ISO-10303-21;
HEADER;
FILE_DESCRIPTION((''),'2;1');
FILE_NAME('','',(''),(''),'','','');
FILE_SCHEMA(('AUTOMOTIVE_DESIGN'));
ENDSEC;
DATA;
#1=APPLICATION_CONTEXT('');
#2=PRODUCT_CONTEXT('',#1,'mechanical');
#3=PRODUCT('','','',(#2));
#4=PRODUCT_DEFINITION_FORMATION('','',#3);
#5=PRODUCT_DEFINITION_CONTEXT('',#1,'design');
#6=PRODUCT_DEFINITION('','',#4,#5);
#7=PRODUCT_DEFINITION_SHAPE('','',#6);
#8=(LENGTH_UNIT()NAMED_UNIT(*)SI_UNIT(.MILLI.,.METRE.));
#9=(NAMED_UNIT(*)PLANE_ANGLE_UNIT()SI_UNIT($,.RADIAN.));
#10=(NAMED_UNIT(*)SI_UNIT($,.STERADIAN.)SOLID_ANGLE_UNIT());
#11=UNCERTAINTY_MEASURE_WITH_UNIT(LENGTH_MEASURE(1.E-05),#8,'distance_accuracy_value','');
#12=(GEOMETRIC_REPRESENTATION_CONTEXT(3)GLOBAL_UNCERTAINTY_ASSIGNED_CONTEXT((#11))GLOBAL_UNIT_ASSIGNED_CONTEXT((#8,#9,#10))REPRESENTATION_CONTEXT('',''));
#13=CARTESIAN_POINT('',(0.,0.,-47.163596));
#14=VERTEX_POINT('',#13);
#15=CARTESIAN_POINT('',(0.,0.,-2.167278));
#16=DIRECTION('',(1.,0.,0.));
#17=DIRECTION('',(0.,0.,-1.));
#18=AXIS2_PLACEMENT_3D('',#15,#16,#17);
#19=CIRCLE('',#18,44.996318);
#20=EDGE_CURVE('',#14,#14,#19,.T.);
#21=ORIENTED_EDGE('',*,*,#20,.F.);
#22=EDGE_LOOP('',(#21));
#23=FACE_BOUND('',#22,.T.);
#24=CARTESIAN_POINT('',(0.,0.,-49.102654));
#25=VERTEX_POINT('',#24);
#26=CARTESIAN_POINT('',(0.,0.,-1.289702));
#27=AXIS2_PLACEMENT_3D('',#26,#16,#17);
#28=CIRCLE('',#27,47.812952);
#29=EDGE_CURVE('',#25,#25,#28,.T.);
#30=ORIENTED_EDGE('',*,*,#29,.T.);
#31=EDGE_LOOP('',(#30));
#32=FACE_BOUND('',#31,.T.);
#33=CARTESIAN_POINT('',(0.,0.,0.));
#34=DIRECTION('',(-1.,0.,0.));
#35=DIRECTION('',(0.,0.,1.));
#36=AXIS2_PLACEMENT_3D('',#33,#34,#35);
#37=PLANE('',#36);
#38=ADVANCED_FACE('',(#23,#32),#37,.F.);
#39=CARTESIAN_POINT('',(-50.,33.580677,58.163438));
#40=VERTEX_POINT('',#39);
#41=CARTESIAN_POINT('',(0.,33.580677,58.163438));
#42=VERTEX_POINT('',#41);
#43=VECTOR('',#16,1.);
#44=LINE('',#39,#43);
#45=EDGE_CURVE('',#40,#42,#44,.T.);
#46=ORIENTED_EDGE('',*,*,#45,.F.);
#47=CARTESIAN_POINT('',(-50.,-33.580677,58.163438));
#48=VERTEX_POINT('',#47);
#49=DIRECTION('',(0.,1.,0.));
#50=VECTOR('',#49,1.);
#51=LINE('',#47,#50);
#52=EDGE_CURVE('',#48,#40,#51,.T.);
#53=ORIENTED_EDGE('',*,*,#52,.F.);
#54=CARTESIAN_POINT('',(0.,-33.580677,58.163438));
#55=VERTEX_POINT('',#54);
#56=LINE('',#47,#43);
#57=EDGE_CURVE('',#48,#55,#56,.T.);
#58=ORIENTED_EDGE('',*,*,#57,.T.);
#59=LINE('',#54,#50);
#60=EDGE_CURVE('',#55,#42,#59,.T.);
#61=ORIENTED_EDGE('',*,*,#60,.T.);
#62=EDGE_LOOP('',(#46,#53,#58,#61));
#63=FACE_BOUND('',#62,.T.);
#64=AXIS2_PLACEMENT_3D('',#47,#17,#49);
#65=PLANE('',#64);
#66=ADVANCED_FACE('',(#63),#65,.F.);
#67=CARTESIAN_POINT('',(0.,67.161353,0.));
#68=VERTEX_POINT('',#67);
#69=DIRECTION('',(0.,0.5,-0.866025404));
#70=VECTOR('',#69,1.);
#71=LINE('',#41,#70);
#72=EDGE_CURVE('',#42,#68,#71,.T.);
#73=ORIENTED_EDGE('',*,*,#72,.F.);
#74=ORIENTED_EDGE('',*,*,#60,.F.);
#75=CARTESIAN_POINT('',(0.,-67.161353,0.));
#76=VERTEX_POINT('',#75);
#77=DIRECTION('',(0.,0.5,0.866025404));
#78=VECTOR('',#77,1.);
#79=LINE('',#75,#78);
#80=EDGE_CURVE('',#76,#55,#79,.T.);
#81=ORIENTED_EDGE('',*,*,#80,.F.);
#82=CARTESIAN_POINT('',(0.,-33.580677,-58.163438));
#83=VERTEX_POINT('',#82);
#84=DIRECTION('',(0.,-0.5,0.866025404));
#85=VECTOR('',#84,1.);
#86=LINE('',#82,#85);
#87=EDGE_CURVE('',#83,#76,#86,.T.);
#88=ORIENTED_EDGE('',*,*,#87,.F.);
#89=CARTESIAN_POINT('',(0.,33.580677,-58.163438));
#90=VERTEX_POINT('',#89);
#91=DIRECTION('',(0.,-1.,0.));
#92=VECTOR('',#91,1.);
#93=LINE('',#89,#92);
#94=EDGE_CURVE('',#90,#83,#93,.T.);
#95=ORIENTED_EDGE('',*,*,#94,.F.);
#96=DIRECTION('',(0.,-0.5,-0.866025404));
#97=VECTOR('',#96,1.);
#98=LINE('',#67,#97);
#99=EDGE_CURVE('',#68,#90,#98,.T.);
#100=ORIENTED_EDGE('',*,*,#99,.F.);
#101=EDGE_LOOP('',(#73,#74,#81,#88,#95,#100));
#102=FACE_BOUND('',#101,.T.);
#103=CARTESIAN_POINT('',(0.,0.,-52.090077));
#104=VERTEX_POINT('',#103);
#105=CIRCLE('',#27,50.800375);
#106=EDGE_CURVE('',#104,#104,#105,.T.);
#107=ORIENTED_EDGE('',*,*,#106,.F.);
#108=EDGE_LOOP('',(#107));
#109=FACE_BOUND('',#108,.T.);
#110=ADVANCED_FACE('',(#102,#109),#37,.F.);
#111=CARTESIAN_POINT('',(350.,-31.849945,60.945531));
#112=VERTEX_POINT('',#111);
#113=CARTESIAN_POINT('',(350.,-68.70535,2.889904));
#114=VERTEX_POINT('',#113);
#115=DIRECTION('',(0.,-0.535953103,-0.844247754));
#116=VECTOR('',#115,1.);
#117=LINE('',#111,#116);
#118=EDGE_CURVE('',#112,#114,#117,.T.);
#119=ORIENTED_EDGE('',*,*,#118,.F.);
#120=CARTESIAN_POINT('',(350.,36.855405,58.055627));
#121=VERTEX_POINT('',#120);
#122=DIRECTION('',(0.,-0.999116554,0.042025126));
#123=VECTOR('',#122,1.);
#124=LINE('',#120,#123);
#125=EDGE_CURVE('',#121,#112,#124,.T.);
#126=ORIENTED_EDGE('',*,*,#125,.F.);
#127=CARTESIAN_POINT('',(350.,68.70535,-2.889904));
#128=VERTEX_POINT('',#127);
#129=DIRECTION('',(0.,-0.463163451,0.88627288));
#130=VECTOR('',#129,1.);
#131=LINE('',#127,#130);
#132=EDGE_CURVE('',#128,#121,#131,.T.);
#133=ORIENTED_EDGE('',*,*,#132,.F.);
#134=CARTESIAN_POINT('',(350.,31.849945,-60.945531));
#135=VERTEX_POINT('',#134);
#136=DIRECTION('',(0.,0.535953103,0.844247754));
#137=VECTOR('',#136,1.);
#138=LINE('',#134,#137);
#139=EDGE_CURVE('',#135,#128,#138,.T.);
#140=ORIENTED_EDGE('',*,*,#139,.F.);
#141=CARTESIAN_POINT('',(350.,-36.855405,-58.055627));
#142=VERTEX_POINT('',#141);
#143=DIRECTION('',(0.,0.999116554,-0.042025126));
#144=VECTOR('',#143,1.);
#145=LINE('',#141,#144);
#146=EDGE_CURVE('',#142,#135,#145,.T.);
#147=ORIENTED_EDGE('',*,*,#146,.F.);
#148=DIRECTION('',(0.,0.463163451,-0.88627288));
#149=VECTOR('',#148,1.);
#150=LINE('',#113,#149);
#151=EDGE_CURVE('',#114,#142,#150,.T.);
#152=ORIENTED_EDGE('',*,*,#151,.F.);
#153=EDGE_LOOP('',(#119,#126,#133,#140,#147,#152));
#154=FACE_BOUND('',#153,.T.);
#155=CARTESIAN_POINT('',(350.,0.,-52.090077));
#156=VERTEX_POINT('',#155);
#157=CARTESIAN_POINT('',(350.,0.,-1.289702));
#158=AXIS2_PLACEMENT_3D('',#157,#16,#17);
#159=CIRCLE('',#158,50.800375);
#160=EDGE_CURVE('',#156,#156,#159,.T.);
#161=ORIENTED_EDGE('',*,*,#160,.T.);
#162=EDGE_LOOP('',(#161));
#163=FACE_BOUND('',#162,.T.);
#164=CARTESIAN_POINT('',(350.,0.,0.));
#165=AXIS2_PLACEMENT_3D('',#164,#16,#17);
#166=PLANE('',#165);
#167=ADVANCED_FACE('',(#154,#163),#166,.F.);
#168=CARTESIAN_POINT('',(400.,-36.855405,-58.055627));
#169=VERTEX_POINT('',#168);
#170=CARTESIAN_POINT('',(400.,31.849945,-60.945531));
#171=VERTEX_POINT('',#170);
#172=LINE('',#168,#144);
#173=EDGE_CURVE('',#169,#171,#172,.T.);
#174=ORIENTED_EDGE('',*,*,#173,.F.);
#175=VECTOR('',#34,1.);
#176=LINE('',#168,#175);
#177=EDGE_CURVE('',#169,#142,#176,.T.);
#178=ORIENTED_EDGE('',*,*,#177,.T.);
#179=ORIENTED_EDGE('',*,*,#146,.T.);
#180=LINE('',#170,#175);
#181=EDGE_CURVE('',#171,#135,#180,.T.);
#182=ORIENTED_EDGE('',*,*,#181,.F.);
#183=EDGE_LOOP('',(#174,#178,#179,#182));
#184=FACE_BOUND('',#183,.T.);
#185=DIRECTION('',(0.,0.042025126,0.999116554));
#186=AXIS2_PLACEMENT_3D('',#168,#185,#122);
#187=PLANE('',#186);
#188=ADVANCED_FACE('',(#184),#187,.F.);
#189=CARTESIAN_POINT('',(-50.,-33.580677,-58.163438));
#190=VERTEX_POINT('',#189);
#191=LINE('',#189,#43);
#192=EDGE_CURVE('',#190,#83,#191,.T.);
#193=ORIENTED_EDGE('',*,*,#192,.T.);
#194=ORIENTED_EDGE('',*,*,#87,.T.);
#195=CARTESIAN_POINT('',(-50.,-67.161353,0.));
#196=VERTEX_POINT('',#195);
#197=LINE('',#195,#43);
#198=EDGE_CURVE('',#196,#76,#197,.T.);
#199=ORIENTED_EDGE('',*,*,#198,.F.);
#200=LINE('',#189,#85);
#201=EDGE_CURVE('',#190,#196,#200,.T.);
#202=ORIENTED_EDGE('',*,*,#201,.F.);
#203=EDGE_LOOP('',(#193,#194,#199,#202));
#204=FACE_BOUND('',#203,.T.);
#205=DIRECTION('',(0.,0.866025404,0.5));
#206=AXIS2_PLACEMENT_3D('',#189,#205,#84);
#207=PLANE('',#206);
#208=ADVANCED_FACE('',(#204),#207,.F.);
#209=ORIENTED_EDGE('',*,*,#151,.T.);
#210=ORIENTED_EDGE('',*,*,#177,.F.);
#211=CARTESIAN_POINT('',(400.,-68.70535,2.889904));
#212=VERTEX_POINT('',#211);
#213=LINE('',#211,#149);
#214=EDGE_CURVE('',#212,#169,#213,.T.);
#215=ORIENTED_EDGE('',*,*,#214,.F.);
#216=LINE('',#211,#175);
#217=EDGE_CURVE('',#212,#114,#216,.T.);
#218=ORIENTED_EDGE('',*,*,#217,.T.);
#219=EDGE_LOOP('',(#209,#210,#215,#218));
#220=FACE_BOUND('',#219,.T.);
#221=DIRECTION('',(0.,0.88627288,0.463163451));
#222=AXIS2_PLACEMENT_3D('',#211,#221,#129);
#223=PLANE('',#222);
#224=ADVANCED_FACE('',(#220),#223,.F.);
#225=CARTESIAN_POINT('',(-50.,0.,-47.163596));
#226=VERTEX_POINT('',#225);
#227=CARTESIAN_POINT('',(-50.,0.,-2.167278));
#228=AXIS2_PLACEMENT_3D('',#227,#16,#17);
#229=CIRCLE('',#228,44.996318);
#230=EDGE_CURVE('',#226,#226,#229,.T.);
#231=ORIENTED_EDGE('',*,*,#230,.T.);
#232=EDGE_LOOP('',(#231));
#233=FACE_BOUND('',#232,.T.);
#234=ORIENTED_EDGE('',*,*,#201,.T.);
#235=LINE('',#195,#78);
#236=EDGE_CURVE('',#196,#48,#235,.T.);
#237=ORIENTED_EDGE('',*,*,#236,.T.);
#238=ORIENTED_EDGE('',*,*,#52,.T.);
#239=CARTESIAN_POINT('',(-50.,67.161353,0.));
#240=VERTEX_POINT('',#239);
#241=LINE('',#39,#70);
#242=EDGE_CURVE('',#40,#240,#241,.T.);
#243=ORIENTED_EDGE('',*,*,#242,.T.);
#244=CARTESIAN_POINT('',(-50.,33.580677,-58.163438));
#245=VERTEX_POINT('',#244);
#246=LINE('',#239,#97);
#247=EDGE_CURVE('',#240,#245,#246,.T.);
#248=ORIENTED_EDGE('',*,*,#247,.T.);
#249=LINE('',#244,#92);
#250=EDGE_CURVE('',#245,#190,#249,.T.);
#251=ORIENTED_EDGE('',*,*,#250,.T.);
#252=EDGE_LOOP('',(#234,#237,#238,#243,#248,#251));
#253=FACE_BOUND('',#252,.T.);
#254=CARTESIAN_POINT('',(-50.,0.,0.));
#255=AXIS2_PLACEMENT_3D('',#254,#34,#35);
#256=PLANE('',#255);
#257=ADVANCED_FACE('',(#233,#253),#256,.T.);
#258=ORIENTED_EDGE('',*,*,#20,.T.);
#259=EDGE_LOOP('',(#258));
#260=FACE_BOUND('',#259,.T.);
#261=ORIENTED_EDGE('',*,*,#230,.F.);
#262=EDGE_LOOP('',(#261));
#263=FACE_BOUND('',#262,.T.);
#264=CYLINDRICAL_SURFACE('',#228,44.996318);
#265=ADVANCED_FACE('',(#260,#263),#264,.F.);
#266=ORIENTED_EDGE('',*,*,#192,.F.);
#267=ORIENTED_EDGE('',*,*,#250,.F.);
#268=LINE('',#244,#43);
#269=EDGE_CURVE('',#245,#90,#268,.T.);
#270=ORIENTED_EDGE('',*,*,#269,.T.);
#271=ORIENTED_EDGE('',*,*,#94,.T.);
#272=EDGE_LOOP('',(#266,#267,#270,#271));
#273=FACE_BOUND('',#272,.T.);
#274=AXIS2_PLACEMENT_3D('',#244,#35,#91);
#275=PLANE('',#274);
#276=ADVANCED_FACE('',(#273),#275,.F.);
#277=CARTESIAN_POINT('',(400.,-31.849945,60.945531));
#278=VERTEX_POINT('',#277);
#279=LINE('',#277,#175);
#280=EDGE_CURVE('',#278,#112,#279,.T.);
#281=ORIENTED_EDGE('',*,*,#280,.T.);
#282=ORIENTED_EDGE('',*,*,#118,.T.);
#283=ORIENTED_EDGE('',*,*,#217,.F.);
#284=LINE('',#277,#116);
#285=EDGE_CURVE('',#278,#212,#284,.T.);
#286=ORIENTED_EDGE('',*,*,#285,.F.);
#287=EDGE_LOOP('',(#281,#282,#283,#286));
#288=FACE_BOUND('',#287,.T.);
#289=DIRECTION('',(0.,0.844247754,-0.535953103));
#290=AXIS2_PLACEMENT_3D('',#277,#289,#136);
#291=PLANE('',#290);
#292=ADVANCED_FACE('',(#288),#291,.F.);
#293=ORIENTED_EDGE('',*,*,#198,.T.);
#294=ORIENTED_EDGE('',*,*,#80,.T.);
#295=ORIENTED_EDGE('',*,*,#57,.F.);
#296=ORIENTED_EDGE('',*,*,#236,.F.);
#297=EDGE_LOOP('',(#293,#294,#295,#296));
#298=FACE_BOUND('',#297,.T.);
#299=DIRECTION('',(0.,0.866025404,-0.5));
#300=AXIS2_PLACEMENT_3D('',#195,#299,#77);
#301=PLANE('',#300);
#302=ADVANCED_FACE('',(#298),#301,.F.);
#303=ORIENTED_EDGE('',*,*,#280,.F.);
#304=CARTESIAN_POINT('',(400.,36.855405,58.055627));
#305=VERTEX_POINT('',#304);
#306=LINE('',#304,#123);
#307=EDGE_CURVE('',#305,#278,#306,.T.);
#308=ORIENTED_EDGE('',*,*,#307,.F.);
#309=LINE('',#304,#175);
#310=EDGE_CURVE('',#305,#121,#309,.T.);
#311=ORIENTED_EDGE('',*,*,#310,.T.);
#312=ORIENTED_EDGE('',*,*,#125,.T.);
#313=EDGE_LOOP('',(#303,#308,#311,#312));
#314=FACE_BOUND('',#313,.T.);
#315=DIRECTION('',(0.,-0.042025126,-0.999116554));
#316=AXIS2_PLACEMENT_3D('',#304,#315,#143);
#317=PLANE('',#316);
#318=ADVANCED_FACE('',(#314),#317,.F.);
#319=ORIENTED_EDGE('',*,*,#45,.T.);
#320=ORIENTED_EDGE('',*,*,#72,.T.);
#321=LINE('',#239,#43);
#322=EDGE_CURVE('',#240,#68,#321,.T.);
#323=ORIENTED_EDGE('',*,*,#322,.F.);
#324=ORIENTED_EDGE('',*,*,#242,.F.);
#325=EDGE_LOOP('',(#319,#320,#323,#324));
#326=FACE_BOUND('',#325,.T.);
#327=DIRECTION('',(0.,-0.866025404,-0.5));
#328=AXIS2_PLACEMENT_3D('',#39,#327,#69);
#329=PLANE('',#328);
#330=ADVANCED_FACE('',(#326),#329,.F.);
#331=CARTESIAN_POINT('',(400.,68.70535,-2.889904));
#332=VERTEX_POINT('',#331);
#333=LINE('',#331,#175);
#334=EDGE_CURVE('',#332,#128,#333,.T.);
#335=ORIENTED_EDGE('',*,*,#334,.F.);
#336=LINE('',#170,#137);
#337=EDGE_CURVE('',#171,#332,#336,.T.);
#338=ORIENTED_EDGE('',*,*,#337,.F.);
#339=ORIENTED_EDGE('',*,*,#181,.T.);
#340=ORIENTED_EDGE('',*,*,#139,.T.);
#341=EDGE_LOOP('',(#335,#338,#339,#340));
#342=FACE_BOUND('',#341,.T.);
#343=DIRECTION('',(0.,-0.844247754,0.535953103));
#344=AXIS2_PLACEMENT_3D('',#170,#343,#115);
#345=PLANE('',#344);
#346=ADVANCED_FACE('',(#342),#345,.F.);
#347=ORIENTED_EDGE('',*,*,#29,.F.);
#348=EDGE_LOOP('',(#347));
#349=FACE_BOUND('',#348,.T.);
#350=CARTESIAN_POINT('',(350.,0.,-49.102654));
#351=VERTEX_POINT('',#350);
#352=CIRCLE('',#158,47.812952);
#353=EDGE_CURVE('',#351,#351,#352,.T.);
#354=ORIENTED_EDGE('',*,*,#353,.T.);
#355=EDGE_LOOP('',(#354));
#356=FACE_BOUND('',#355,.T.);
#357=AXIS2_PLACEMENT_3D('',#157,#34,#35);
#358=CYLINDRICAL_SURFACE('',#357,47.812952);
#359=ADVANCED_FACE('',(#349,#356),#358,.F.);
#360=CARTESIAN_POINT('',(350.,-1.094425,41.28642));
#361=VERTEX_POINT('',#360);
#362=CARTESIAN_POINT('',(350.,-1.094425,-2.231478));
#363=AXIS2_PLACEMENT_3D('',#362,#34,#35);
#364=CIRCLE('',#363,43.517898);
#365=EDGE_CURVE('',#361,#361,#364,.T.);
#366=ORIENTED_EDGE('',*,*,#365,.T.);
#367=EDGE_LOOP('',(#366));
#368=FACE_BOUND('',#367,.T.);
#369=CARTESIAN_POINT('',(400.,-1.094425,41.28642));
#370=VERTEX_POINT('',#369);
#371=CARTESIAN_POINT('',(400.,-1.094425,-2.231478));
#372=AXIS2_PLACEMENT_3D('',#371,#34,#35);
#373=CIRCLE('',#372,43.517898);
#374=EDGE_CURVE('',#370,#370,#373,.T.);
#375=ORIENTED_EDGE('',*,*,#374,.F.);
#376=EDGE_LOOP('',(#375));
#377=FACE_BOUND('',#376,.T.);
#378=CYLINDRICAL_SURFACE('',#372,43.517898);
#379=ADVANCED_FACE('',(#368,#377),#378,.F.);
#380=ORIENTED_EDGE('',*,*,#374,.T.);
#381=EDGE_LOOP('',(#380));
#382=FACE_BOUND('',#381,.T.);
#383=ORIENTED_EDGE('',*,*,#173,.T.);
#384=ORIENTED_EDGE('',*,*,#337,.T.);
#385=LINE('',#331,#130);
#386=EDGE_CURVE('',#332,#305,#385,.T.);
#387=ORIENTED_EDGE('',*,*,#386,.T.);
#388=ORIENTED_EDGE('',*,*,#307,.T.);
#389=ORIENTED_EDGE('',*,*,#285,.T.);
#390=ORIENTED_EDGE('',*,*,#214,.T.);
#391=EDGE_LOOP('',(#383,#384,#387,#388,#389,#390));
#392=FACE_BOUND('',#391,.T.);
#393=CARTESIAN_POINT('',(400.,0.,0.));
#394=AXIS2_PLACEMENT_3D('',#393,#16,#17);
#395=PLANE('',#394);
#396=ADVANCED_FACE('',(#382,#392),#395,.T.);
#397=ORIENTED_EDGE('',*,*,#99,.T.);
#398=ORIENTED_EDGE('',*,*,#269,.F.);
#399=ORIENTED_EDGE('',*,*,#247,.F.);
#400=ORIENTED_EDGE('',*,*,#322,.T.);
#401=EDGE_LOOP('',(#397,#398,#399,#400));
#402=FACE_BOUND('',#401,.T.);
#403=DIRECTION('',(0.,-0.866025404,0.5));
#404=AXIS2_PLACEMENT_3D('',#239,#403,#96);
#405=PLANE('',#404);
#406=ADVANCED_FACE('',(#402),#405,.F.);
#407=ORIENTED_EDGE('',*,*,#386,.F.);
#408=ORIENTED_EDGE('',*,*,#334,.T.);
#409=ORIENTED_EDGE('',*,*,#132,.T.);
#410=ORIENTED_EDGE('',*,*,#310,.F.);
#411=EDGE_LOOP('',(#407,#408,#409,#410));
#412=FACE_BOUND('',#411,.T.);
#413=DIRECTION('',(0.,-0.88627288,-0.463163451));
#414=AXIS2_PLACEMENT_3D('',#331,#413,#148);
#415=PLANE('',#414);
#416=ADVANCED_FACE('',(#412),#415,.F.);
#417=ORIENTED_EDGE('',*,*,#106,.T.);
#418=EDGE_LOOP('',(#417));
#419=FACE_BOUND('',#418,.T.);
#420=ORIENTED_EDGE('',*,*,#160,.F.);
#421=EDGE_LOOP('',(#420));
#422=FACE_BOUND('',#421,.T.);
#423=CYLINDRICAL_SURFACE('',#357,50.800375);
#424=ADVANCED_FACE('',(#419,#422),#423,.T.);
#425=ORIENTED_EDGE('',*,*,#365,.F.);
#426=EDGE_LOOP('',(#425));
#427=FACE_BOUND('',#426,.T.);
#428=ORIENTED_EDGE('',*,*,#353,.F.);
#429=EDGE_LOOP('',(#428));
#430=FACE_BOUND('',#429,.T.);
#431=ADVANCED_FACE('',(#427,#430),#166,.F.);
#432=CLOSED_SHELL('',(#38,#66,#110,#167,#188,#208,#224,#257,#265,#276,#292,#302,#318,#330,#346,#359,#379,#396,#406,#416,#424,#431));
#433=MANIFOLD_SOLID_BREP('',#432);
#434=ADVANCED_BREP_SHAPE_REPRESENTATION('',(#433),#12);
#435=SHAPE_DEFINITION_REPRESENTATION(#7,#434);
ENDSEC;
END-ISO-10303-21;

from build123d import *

# Parameters (mm, degrees)
SKETCH1_R            = 50.800375113
SKETCH1_R_2          = 47.812951641
BOSS_EXTRUDE2_DEPTH  = 350
BOSS_EXTRUDE5_DEPTH  = 50
BOSS_EXTRUDE11_DEPTH = 50
SKETCH6_R            = 44.996318031
CUT_EXTRUDE2_DEPTH   = 50
SKETCH7_R            = 43.517898498
CUT_EXTRUDE3_DEPTH   = 50


with BuildPart() as part:
    # Sketch1 → Boss-Extrude2 (new body)
    with BuildSketch(Plane(origin=(0, 0, 0), x_dir=(0, 0, -1), z_dir=(1, 0, 0))):
        with Locations((1.289702318, 0)):
            Circle(SKETCH1_R)
        with Locations((1.289702318, 0)):
            Circle(SKETCH1_R_2, mode=Mode.SUBTRACT)
    extrude(amount=BOSS_EXTRUDE2_DEPTH)

    # Sketch3 → Boss-Extrude5 (add)
    with BuildSketch(Plane(origin=(350, 0, 0), x_dir=(0, 0, -1), z_dir=(1, 0, 0))):
        Polygon((58.055626726, -36.855405481), (60.945530776, 31.849944836), (2.88990405, 68.705350317), (-58.055626726, 36.855405481), (-60.945530776, -31.849944836), (-2.88990405, -68.705350317), align=None)
        Polygon((29.411876605, -18.99044871), (30.315925302, 11.383738416), (4.46313198, 27.353761118), (-22.293710039, 12.949596693), (-23.197758737, -17.424590433), (2.655034585, -33.394613135), align=None, mode=Mode.SUBTRACT)
    extrude(amount=BOSS_EXTRUDE5_DEPTH)

    # Sketch5 → Boss-Extrude11 (add)
    with BuildSketch(Plane.ZY):
        Polygon((0, -67.161353017), (58.163437865, -33.580676508), (58.163437865, 33.580676508), (0, 67.161353017), (-58.163437865, 33.580676508), (-58.163437865, -33.580676508), align=None)
    extrude(amount=BOSS_EXTRUDE11_DEPTH)

    # Sketch6 → Cut-Extrude2 (cut)
    with BuildSketch(Plane(origin=(0, 0, 0), x_dir=(0, 0, -1), z_dir=(1, 0, 0))):
        with Locations((2.167278034, 0)):
            Circle(SKETCH6_R)
    extrude(amount=-CUT_EXTRUDE2_DEPTH, mode=Mode.SUBTRACT)

    # Sketch7 → Cut-Extrude3 (cut)
    with BuildSketch(Plane.ZY.offset(-350)):
        with Locations((-2.231478452, -1.09442532)):
            Circle(SKETCH7_R)
    extrude(amount=-CUT_EXTRUDE3_DEPTH, mode=Mode.SUBTRACT)


solid = part.part
